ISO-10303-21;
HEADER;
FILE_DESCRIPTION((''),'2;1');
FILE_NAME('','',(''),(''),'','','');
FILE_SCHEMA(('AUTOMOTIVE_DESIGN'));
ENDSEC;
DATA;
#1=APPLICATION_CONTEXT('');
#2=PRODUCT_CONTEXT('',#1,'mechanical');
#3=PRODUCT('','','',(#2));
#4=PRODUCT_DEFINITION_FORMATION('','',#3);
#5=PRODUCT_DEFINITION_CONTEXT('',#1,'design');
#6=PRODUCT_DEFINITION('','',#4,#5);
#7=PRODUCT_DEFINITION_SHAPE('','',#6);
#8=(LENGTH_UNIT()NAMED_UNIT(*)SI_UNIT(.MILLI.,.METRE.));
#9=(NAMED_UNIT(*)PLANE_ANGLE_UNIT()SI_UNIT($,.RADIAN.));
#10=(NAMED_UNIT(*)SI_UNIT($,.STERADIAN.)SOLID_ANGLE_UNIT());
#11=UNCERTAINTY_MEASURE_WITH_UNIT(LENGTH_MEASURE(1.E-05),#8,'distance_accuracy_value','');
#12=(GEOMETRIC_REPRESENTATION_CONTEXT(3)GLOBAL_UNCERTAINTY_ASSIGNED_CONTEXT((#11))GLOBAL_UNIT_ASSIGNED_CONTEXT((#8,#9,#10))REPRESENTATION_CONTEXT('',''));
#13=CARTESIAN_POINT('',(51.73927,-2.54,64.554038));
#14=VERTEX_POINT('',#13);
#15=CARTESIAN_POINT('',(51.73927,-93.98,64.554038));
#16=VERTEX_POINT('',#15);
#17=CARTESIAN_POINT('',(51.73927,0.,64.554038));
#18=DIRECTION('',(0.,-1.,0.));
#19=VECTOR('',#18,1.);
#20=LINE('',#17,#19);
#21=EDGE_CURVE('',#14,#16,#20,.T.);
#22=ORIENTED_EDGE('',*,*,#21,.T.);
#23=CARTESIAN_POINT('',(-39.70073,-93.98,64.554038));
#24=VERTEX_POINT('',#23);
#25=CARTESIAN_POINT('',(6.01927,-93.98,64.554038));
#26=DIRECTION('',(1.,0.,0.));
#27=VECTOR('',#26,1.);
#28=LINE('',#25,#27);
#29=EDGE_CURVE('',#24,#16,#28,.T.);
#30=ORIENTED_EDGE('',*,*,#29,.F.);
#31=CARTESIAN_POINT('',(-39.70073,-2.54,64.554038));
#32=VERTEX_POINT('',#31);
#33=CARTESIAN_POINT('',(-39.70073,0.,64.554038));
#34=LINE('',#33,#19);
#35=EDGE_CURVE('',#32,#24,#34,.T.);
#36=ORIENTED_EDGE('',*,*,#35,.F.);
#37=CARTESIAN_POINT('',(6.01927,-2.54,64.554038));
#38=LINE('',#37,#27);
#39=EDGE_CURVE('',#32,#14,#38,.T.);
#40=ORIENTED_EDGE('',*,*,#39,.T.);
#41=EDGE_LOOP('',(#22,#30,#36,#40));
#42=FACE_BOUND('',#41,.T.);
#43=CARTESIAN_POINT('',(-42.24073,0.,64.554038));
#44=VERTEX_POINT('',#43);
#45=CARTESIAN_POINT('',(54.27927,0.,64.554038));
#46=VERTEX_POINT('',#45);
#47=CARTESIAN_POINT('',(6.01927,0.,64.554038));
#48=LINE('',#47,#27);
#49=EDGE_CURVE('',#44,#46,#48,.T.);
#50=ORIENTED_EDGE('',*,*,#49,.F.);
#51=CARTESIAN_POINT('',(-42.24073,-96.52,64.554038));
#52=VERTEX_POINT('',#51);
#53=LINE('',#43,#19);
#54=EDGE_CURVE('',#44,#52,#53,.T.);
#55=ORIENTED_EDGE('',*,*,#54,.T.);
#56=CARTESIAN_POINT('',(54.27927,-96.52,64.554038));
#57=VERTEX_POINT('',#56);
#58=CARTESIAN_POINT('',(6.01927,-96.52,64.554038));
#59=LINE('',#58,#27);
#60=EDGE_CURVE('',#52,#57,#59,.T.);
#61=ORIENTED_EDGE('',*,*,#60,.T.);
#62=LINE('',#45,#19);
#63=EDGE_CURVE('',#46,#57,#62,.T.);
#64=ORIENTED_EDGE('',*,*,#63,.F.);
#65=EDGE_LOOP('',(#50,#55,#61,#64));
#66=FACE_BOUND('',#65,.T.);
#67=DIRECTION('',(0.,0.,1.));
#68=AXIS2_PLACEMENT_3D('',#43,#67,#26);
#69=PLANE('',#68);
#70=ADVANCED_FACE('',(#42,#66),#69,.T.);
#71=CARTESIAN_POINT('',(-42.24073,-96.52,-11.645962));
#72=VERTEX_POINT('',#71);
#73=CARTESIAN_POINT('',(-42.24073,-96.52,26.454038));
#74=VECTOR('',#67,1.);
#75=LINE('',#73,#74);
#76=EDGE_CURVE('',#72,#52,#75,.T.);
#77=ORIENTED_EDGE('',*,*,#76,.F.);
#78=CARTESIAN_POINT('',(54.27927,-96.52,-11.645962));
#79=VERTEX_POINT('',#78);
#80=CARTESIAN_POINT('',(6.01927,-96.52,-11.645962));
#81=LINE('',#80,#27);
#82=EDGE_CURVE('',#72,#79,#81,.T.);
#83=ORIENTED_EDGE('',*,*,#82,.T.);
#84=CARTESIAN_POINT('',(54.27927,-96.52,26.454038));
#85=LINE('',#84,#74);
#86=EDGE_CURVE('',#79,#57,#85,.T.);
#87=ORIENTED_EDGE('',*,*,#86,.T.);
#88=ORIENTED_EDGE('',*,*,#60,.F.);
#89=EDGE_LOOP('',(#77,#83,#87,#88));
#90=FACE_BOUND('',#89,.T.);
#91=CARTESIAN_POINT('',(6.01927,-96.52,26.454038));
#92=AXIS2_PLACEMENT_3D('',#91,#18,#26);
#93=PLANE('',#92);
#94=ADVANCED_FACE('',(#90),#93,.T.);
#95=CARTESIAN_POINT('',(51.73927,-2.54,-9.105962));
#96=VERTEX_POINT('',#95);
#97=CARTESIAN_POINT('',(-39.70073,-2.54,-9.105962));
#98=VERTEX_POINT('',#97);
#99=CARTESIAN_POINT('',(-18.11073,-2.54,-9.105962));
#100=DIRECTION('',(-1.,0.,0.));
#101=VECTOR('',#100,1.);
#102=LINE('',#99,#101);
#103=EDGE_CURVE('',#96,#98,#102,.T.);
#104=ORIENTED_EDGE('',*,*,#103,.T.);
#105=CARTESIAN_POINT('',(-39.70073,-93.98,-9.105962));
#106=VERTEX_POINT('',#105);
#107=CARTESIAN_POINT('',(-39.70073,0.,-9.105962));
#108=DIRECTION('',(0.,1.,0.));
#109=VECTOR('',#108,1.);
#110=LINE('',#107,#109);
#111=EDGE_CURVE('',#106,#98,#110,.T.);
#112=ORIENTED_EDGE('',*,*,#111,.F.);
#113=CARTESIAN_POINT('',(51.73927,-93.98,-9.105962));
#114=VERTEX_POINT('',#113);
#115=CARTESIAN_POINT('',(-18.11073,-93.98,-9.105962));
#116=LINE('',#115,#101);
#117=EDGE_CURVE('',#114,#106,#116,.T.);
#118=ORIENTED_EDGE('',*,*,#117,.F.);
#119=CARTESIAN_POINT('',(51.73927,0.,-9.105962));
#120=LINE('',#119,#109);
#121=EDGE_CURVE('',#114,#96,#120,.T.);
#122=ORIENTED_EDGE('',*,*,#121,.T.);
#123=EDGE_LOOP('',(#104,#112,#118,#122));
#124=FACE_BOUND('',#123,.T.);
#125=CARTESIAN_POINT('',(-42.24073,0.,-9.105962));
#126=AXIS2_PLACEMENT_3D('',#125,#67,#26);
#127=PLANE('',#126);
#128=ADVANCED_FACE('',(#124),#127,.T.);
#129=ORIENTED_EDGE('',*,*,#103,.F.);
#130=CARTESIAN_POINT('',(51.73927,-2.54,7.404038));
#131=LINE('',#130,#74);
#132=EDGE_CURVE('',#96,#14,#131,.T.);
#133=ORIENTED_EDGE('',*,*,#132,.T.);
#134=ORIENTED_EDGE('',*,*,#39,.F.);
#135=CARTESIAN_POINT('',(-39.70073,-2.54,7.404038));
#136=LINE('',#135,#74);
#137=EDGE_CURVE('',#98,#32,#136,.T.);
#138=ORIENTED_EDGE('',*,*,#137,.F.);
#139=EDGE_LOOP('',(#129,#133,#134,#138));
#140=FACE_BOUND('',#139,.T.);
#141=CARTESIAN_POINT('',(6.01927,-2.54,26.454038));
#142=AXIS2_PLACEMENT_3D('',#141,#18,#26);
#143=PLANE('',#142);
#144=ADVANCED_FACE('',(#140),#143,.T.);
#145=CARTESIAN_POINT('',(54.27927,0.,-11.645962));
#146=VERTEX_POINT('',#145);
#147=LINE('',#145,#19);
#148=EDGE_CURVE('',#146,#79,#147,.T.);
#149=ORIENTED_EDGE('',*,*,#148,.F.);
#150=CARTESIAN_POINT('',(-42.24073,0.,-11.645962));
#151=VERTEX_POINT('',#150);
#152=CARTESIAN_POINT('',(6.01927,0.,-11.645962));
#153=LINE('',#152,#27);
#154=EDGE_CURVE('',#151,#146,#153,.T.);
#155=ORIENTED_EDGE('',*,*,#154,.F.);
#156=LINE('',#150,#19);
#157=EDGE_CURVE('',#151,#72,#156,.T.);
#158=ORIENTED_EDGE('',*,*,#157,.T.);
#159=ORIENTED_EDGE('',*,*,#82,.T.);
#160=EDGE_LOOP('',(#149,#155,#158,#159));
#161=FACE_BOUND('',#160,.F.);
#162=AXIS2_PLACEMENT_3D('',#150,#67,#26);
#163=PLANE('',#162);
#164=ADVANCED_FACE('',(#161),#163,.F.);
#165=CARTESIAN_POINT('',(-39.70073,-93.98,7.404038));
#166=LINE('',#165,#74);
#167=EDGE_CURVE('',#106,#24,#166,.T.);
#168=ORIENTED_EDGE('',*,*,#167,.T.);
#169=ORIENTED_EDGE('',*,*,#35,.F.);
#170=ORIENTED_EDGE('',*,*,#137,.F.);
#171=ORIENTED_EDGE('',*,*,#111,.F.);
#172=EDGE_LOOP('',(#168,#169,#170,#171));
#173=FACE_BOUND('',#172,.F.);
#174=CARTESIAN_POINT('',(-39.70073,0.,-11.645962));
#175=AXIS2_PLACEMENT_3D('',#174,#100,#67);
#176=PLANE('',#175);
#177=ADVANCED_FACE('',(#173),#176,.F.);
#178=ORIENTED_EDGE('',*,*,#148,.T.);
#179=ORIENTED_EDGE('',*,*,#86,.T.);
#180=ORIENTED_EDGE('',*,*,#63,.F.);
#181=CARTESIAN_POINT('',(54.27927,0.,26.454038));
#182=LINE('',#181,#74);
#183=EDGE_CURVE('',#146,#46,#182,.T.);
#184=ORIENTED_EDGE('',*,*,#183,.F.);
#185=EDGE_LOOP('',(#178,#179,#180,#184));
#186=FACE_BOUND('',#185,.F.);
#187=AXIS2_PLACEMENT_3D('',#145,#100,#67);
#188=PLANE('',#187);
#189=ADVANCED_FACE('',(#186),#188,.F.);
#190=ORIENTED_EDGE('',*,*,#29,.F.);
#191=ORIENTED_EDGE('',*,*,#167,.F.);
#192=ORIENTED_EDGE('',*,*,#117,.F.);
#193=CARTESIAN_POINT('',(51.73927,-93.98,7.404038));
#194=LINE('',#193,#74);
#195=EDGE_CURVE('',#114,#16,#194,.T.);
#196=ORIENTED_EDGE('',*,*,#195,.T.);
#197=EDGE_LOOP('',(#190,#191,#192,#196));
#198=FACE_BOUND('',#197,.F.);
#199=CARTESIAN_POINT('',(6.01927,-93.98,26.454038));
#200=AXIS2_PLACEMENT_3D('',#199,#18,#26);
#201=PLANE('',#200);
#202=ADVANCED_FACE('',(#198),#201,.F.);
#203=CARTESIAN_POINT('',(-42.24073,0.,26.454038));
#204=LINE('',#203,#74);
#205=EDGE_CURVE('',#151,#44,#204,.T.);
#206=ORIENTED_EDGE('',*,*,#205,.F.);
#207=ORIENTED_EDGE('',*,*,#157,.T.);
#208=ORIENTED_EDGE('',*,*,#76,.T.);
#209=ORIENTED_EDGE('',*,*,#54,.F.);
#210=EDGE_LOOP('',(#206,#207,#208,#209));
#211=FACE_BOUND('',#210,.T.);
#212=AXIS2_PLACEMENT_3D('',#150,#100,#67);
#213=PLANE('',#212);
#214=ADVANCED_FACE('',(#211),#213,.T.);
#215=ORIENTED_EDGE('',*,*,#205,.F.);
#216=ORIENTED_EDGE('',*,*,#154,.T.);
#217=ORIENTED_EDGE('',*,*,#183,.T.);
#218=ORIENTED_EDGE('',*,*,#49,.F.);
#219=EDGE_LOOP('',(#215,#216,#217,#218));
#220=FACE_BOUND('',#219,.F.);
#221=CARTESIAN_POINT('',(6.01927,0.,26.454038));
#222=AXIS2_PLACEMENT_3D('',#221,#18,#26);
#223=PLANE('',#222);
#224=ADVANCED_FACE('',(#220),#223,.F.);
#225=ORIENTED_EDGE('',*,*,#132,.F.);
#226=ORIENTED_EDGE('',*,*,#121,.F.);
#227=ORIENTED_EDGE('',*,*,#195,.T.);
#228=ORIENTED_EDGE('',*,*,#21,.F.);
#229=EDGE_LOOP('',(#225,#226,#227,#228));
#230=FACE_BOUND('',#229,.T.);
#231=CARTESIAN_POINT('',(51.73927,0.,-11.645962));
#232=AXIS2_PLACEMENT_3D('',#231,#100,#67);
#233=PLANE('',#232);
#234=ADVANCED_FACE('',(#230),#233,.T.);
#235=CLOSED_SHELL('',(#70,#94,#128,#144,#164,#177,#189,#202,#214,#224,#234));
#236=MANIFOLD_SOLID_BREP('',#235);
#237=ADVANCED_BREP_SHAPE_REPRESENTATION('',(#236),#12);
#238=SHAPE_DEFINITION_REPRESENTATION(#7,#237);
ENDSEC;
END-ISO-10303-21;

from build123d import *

# Parameters (mm, degrees)
F0_W     = 96.52
F0_H     = 76.2
F1_DEPTH = 96.52
F2_T     = -2.54


with BuildPart() as f1:
    # F0 (on Front) → F1 (new body)
    with BuildSketch(Plane.XZ):
        with Locations((6.01927, 26.454038)):
            Rectangle(F0_W, F0_H)
    extrude(amount=F1_DEPTH)

    # F2
    f2_openings = [f1.faces().sort_by_distance(p)[0] for p in [
        (6.01927, -48.26, 64.554038),
    ]]
    offset(amount=F2_T, openings=f2_openings)


solid = f1.part
